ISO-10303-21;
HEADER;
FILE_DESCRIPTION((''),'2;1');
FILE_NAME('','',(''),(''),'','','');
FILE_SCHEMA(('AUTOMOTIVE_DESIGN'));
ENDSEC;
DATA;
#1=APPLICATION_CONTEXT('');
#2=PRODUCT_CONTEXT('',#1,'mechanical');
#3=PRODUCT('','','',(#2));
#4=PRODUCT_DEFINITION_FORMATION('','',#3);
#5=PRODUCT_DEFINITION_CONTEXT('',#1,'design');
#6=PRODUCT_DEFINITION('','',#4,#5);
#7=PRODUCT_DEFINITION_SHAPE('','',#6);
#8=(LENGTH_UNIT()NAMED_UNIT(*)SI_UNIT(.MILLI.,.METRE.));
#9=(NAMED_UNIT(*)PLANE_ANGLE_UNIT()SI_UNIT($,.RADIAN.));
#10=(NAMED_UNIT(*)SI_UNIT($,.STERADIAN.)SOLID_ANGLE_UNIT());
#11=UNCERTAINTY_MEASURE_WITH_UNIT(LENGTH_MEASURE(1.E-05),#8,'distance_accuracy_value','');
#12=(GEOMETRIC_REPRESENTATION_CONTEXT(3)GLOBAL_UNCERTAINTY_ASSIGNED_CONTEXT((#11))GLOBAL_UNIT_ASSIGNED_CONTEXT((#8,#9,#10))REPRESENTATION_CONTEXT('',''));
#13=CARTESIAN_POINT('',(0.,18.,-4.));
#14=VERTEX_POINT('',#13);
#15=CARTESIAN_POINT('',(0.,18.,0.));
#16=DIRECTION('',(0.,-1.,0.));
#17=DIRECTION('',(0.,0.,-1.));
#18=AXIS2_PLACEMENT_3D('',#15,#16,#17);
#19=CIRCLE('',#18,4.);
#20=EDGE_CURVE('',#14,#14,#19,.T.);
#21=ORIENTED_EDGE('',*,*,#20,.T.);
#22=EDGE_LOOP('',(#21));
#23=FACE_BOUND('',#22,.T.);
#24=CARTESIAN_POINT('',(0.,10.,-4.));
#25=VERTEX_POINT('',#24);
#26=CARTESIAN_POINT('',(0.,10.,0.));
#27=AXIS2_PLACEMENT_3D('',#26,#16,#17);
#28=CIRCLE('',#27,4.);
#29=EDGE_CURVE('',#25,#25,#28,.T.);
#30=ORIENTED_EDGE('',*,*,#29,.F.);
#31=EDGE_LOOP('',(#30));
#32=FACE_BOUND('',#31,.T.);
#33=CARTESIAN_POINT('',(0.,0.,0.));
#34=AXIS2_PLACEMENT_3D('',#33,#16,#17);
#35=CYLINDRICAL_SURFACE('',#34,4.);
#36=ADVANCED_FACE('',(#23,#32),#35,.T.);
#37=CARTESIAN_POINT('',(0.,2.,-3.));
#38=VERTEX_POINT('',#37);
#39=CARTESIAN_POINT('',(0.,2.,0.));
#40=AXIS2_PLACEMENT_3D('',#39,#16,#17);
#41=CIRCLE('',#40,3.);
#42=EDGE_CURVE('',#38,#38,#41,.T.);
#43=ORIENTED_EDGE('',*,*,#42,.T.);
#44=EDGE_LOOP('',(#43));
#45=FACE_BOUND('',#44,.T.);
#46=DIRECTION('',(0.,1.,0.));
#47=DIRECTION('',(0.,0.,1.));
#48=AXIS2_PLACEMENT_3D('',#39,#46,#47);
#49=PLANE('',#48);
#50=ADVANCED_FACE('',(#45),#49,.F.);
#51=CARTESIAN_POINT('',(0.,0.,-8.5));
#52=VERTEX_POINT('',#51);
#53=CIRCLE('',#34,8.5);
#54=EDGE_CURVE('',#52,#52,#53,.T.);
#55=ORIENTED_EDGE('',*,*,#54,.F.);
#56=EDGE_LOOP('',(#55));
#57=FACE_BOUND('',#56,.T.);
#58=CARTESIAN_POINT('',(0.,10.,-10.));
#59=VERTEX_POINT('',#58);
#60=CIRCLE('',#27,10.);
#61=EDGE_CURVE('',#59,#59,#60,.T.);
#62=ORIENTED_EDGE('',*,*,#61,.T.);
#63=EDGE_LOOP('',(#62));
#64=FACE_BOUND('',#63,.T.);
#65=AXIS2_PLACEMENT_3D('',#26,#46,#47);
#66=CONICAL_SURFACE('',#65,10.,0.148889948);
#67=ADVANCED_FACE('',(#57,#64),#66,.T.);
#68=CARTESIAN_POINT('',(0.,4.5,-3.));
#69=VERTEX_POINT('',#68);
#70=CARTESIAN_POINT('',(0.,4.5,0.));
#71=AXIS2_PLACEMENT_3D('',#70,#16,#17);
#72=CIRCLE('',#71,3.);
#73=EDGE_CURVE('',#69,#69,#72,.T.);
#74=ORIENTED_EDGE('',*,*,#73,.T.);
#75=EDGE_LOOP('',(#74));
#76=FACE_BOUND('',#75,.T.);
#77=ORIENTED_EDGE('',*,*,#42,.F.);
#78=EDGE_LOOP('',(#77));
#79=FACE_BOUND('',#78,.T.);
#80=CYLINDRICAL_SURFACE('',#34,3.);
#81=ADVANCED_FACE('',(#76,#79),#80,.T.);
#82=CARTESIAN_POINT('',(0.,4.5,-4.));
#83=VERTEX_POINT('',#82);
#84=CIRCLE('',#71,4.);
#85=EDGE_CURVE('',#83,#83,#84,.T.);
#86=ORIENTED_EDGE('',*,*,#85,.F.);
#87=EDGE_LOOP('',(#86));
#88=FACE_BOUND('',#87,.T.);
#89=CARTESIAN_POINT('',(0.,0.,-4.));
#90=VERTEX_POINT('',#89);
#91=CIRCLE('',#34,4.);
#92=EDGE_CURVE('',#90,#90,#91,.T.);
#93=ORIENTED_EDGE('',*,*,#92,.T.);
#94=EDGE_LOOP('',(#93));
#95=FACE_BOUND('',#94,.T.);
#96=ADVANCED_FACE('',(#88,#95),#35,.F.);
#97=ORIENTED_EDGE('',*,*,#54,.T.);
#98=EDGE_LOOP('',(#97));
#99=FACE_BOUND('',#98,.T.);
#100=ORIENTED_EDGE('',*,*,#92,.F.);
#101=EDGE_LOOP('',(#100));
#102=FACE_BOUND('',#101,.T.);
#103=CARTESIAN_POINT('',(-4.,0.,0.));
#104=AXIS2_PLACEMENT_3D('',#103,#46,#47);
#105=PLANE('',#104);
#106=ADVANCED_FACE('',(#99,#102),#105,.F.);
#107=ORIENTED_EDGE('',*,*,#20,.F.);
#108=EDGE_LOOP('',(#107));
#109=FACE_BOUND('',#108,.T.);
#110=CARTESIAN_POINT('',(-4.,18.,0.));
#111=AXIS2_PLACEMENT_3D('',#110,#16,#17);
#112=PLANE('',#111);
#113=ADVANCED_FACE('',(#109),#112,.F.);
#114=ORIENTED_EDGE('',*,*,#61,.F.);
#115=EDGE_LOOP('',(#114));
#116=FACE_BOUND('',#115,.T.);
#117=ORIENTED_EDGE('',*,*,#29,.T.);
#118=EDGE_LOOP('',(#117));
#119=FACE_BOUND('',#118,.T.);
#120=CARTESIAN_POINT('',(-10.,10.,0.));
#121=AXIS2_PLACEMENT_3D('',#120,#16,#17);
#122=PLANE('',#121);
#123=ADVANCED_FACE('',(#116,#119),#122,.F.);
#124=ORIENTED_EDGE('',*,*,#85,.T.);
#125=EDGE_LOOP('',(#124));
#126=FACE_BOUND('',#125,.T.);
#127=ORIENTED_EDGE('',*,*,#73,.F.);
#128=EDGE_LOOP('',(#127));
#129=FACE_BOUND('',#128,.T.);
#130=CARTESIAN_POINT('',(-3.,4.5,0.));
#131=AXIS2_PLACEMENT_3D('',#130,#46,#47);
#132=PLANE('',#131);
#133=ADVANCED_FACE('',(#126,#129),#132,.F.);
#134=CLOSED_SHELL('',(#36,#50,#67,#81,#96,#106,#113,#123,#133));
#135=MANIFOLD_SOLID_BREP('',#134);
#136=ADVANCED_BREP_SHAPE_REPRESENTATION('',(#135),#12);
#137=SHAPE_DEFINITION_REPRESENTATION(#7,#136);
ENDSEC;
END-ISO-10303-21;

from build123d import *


with BuildPart() as part:
    # Sketch1 → Revolve1 (revolve)
    with BuildSketch(Plane.XY):
        Polygon((0, 2), (-3, 2), (-3, 4.5), (-4, 4.5), (-4, 0), (-8.5, 0), (-10, 10), (-4, 10), (-4, 18), (0, 18), align=None)
    revolve(axis=Axis((0, 0, 0), (0, 1, 0)))


solid = part.part
